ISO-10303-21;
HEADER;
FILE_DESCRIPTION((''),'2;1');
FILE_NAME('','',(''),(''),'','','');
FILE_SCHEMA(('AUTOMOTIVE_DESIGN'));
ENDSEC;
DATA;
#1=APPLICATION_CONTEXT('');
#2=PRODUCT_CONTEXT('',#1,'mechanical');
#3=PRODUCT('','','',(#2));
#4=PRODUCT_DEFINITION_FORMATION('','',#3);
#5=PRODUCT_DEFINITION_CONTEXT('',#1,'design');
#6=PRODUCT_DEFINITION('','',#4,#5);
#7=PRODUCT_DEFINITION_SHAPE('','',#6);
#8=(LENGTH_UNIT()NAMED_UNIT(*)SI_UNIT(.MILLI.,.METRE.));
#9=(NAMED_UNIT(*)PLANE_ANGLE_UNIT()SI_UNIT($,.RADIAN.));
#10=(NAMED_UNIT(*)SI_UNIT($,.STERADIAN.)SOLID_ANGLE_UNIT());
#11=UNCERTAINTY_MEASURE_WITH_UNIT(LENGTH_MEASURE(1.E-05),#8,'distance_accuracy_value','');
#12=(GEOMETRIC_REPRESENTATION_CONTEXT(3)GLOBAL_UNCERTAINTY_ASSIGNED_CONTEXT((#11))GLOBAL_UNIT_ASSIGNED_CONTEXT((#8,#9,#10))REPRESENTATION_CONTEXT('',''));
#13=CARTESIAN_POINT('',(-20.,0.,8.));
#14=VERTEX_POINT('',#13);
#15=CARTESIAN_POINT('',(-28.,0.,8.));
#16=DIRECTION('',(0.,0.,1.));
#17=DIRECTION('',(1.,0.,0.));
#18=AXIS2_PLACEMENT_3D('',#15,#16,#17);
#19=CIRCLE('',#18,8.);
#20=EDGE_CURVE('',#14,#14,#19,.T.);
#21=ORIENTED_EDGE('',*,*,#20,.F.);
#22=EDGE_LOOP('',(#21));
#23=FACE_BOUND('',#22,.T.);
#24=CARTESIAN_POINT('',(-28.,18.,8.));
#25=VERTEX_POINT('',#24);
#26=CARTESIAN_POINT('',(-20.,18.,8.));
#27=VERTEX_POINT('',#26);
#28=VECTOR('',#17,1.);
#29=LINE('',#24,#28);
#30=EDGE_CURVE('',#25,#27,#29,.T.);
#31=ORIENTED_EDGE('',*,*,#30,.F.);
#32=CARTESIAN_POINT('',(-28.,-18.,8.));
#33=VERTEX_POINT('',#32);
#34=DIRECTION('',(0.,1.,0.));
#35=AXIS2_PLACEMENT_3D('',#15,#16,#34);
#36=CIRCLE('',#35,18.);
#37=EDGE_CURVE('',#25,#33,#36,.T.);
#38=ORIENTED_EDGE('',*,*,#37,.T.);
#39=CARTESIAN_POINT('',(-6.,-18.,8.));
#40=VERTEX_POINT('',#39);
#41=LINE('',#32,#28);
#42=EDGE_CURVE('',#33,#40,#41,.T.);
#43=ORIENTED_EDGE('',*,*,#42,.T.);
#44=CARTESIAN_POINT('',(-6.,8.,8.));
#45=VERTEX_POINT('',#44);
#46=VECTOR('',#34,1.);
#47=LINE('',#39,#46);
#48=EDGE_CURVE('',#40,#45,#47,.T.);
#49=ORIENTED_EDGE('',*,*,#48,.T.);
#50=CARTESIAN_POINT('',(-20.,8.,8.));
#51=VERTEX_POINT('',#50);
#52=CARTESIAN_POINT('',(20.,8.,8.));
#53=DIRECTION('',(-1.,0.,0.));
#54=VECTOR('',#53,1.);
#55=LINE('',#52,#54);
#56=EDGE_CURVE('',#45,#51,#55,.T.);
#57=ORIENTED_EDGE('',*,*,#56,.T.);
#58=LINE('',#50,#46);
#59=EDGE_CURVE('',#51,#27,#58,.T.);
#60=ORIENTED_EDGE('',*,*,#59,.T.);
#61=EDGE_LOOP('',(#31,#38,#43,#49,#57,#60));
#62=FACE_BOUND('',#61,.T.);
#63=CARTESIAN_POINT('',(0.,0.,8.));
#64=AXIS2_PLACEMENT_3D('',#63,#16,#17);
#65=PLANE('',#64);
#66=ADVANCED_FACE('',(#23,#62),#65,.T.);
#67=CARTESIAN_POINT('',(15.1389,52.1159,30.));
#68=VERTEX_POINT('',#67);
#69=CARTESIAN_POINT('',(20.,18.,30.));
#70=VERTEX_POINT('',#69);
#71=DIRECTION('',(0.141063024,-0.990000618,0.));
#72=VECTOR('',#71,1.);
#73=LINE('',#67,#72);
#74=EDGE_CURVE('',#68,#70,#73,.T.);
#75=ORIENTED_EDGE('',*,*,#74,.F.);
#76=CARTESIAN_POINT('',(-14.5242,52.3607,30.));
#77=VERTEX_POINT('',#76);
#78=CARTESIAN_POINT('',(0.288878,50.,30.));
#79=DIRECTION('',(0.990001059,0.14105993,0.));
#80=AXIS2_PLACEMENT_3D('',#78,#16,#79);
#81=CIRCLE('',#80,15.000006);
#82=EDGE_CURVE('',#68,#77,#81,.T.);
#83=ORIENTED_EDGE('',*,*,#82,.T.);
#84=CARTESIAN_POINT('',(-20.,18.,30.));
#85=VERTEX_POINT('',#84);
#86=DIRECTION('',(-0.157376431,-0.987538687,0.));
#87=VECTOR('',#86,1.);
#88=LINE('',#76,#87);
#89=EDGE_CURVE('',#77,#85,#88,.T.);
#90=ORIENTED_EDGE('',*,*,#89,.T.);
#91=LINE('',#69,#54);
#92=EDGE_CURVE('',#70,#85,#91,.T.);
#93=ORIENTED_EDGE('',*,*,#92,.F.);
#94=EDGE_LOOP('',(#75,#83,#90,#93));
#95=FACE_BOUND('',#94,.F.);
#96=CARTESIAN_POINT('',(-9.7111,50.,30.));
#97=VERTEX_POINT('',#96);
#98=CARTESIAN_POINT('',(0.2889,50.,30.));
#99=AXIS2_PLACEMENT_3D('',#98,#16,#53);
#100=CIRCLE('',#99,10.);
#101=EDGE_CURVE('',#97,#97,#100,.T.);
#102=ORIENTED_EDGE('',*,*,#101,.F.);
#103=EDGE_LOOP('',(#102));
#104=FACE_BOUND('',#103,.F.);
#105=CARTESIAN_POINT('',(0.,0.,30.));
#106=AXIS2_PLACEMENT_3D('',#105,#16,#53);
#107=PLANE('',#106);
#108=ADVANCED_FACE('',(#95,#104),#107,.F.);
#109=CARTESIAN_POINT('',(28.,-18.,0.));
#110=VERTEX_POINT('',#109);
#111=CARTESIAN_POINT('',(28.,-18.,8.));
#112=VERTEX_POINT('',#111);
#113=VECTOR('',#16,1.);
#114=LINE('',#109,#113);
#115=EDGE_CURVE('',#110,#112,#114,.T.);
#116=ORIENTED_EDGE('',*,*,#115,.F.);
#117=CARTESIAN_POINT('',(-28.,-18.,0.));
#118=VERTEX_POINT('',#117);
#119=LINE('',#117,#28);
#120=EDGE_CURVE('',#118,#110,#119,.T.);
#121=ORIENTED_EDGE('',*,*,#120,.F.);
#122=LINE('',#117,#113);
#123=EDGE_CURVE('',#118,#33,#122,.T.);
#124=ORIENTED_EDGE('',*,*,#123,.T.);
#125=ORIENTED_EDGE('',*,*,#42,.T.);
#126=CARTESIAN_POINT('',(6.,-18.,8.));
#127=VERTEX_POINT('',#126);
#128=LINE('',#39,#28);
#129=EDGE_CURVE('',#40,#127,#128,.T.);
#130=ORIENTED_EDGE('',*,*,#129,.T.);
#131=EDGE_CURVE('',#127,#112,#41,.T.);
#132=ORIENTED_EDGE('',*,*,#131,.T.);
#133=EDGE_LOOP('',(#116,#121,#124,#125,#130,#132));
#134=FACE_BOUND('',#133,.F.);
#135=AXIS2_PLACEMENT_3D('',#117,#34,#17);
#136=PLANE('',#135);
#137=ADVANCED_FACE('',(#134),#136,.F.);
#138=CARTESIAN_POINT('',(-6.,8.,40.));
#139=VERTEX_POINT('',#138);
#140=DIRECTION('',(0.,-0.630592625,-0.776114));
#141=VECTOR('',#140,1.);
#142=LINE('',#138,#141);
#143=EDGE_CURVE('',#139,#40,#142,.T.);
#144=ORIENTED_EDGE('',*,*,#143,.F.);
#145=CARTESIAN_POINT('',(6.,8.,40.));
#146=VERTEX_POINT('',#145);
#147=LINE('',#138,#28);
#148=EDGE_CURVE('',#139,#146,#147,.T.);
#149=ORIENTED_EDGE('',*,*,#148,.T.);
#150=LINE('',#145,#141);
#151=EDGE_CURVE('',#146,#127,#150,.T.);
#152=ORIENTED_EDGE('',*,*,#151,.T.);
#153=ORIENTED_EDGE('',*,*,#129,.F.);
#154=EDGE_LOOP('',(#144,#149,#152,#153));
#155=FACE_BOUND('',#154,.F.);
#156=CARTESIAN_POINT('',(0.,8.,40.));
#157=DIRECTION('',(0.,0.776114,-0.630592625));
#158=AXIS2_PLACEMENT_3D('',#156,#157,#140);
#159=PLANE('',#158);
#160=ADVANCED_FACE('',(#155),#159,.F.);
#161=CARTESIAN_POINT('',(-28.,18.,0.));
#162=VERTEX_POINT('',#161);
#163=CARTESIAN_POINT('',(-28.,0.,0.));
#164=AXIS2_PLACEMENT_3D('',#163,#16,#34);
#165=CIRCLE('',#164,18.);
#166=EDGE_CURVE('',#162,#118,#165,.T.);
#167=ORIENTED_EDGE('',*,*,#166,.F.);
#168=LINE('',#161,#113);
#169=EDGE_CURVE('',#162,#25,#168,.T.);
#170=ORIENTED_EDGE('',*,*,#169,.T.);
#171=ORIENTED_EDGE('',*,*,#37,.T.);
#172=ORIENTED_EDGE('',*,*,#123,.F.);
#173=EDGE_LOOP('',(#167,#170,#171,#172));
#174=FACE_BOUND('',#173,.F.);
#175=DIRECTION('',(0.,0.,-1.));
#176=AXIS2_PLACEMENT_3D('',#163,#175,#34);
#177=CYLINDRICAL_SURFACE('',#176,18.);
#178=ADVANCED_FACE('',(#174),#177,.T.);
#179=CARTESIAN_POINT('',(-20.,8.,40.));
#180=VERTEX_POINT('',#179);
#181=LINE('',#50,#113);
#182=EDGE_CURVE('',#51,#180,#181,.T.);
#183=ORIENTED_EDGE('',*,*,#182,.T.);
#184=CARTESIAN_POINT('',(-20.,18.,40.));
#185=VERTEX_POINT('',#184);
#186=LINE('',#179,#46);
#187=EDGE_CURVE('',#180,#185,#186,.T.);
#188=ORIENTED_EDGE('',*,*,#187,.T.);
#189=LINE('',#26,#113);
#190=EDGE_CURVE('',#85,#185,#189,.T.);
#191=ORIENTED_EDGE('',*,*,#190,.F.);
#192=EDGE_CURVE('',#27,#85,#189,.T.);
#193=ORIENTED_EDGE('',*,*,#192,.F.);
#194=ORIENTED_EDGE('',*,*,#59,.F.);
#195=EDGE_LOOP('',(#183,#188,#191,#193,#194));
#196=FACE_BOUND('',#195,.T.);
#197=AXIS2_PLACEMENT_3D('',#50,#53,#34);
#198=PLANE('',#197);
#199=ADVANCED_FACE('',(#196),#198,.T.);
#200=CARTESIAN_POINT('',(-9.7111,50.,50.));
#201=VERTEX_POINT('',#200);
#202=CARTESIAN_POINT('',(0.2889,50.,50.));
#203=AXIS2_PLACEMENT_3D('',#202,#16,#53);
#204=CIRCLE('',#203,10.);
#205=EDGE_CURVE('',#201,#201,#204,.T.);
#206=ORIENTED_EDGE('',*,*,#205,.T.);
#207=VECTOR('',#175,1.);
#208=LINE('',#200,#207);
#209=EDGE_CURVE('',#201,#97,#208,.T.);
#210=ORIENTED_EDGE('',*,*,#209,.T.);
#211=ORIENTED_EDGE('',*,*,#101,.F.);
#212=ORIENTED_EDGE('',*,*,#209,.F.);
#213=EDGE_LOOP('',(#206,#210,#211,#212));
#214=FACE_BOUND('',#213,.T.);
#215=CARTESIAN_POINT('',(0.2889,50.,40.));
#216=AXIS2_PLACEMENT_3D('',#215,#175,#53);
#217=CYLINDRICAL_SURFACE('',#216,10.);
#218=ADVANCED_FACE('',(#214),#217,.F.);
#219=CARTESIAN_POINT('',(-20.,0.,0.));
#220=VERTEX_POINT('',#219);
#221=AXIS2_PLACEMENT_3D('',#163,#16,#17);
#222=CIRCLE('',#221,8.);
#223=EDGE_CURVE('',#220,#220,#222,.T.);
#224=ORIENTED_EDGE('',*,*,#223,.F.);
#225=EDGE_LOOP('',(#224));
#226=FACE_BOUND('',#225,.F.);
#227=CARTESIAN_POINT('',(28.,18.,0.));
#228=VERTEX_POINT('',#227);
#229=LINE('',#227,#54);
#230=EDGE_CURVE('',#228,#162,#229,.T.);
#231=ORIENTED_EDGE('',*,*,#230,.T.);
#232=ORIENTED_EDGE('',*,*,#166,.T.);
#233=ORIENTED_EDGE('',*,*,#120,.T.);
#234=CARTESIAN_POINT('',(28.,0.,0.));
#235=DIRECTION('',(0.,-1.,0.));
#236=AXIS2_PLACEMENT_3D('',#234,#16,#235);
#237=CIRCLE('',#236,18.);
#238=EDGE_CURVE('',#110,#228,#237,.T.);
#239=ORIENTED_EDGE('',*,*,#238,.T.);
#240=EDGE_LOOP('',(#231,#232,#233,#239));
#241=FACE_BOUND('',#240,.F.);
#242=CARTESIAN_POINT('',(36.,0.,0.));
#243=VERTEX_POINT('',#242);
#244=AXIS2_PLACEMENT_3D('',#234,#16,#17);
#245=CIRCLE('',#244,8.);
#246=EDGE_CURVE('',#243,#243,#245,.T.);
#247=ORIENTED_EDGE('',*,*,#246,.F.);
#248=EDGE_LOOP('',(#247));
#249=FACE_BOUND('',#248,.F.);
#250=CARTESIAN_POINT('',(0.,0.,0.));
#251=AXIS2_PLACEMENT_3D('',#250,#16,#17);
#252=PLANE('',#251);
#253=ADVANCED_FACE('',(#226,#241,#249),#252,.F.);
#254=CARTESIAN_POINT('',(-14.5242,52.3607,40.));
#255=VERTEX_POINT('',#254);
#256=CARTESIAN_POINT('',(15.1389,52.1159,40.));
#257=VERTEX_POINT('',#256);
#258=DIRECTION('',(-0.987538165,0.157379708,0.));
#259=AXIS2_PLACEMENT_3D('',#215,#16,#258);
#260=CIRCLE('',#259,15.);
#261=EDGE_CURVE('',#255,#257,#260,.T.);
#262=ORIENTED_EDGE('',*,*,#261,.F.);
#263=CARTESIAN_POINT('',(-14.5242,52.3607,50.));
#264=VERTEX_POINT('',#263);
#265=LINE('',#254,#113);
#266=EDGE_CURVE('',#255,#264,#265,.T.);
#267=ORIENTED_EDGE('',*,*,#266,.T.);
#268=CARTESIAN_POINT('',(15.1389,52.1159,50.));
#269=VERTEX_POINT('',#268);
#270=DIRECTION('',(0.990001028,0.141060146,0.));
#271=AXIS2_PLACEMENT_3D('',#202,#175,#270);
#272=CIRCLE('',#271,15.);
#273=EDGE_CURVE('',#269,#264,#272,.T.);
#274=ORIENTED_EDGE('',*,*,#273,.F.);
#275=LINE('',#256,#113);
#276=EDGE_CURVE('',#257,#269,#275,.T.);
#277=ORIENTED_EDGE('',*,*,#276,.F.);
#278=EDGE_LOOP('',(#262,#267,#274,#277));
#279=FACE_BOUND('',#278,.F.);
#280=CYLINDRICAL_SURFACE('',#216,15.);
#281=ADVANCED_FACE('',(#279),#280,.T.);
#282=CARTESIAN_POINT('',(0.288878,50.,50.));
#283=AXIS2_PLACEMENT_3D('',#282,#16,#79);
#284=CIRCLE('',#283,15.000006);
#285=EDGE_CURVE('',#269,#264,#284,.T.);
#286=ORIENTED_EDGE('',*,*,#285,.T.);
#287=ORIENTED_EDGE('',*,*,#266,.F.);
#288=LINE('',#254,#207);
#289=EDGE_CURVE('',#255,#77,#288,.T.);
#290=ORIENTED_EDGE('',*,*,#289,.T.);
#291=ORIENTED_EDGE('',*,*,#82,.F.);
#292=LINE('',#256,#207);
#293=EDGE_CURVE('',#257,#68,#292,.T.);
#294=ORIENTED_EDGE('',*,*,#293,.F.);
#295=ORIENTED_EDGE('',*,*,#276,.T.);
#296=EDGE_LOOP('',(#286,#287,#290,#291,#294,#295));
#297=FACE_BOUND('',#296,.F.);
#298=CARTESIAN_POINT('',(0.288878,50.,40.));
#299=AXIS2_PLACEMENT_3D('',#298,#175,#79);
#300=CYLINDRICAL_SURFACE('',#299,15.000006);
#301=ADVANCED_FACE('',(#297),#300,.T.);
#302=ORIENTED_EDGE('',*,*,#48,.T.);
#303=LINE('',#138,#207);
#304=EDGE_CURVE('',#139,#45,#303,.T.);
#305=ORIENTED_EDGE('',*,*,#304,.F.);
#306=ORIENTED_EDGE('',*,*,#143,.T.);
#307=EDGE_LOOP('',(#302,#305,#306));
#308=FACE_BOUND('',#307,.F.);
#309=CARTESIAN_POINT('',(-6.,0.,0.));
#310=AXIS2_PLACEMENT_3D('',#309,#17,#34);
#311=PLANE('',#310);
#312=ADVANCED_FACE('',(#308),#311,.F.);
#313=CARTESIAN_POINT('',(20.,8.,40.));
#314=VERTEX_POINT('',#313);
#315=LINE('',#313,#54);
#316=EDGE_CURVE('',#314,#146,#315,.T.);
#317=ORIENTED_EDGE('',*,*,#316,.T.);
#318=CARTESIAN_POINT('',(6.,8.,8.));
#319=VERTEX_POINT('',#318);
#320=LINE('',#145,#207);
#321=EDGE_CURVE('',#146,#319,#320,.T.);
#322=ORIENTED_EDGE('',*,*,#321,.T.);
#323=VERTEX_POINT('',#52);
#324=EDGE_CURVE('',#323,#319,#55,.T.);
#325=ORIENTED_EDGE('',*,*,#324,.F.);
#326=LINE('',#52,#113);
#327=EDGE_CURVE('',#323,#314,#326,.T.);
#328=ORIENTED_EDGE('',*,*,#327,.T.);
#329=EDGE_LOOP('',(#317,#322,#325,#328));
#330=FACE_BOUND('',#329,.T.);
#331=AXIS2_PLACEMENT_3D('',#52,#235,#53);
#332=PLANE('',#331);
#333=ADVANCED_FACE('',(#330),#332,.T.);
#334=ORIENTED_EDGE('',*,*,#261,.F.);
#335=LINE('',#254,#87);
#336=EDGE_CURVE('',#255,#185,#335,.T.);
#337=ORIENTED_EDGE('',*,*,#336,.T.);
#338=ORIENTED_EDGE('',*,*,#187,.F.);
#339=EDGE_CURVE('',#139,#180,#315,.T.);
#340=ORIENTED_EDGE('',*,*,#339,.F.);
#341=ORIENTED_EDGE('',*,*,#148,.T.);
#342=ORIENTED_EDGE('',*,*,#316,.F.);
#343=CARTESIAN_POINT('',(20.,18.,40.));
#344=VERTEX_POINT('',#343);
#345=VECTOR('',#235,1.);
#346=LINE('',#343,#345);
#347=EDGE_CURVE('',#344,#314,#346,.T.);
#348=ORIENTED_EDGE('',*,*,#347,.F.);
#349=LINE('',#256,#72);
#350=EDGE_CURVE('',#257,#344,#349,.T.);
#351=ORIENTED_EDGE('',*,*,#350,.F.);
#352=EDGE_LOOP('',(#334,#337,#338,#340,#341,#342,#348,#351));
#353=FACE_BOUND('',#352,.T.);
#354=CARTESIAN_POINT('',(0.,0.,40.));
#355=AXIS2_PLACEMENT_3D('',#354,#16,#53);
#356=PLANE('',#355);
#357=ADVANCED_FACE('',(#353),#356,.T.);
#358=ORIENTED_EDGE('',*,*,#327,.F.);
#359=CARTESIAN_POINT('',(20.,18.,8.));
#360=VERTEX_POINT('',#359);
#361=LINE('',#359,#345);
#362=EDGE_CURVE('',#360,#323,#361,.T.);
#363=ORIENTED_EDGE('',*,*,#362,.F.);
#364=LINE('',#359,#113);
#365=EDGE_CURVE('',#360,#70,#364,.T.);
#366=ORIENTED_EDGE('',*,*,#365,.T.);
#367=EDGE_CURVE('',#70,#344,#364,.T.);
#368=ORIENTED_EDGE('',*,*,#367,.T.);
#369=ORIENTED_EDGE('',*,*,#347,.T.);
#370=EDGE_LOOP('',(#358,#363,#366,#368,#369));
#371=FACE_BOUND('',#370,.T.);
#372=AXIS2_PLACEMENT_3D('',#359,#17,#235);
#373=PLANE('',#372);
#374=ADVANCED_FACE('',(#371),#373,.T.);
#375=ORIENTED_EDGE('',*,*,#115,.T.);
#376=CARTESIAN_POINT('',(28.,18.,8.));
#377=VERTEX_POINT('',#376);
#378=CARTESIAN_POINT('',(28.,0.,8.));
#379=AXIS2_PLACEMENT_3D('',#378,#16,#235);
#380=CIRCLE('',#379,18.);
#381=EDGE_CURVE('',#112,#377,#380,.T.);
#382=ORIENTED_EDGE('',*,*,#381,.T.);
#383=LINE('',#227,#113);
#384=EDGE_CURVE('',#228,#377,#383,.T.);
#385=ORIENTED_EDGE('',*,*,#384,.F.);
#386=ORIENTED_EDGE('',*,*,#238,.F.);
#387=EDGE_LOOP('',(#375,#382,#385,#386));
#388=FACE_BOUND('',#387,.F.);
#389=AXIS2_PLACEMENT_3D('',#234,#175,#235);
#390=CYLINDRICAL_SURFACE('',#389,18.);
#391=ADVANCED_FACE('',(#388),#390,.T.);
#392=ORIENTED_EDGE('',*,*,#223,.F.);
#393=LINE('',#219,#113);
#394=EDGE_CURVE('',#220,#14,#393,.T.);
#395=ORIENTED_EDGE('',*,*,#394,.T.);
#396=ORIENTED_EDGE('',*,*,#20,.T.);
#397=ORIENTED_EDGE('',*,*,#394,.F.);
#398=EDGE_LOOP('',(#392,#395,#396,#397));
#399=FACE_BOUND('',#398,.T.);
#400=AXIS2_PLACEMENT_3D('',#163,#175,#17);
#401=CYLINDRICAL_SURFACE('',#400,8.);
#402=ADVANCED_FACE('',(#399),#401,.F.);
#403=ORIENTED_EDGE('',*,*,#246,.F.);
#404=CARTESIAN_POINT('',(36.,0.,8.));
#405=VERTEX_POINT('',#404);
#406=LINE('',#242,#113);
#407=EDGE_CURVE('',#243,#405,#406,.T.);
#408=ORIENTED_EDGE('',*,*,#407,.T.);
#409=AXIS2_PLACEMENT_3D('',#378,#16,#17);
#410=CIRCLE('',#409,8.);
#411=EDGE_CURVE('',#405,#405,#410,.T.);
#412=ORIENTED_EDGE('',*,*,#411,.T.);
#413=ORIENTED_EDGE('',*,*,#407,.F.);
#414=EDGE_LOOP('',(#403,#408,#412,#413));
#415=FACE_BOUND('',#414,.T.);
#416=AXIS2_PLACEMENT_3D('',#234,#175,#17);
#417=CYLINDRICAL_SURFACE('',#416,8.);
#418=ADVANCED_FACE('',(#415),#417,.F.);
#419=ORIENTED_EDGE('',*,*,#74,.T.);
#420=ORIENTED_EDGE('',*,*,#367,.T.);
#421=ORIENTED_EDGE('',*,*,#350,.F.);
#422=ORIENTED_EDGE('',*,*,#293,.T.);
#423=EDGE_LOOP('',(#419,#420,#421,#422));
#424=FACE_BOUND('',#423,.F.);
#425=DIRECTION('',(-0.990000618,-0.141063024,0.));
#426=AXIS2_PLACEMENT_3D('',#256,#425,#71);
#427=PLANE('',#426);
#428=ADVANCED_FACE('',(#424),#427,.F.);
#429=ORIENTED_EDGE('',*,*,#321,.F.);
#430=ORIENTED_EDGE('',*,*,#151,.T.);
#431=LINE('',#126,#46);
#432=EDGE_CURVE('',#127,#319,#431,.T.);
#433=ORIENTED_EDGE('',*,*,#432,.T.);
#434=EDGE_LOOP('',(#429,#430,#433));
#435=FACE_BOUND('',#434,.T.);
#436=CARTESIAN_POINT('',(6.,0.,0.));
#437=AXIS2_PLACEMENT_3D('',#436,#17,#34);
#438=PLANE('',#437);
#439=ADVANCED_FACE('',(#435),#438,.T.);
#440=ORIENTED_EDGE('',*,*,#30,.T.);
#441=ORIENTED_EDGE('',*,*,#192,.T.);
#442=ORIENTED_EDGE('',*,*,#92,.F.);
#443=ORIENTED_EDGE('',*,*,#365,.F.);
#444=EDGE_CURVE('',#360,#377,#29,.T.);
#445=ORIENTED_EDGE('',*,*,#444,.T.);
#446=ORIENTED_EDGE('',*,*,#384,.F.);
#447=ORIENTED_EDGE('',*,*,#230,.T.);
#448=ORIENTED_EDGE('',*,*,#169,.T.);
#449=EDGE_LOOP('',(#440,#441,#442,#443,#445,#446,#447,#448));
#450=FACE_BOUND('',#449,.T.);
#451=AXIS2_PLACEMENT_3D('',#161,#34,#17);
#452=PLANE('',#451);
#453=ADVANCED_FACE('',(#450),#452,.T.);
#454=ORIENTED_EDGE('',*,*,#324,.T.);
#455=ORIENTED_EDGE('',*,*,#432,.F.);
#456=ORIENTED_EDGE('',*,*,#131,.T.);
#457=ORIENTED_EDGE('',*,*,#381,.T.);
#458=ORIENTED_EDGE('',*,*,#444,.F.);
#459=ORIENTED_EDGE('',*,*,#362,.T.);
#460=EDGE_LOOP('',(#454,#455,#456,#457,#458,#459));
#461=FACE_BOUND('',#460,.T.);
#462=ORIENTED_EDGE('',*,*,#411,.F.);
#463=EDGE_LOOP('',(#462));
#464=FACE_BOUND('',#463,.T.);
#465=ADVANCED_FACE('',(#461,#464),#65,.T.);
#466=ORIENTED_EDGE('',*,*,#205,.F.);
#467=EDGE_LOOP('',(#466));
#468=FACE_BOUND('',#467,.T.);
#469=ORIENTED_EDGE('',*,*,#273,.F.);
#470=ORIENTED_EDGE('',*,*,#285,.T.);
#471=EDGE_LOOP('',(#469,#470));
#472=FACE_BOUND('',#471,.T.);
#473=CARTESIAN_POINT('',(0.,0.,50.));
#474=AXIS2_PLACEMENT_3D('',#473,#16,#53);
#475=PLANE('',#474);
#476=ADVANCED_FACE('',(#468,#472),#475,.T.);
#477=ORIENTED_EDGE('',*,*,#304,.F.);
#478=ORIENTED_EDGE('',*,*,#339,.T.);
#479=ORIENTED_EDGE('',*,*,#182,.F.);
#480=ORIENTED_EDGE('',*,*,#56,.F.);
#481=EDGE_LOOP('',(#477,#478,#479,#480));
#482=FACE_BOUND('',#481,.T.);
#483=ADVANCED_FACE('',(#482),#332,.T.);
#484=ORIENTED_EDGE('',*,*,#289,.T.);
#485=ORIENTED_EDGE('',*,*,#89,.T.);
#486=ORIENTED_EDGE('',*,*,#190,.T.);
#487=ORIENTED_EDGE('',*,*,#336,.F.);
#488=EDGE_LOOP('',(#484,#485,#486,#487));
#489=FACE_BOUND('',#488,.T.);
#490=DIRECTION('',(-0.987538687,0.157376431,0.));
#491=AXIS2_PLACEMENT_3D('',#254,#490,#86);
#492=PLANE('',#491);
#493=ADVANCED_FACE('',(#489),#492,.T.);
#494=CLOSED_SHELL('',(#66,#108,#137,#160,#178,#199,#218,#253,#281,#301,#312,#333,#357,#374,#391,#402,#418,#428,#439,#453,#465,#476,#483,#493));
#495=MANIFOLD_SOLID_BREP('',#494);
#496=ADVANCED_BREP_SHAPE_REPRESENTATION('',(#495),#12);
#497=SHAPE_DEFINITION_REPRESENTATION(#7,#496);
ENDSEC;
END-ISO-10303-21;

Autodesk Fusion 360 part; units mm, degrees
sketch "Sketch1" plane through (0, 0, 0) normal (0, 0, 1) x (1, 0, 0)
  circle A0 centre (-28, 0) radius 8
  line L0 (0, 0) -> (0, 62.0025)
  circle A1 centre (28, 0) radius 8
  line L1 (-28, 18) -> (28, 18)
  line L2 (-28, -18) -> (28, -18)
  arc A2 (28, -18) -> (28, 18) centre (28, 0) ccw
  arc A3 (-28, 18) -> (-28, -18) centre (-28, 0) ccw
  dimension "d1" = 16
  dimension "d2" = 36
  dimension "d3" = 28
extrude "Extrude1" add sketch "Sketch1" along normal blind 8
sketch "Sketch2" plane through (0, 0, 8) normal (0, 0, 1) x (-1, 0, 0)
  circle A0 centre (28, 0) radius 8
  circle A1 centre (-28, 0) radius 8
  arc A2 (28, -18) -> (28, 18) centre (28, 0) ccw
  line L0 (28, 18) -> (-28, 18)
  arc A3 (-28, 18) -> (-28, -18) centre (-28, 0) ccw
  line L1 (-28, -18) -> (28, -18)
sketch "Sketch3" plane through (0, 0, 8) normal (0, 0, 1) x (-1, 0, 0)
  line L0 (20, -18) -> (-20, -18)
  line L1 (-20, -18) -> (-20, -8)
  line L2 (-20, -8) -> (20, -8)
  line L3 (20, -8) -> (20, -18)
  dimension "d6" = 40
  dimension "d7" = 10
  dimension "d8" = 20
extrude "Extrude2" add sketch "Sketch3" along normal blind 32
sketch "Sketch4" plane through (0, 0, 40) normal (0, 0, 1) x (-1, 0, 0)
  line L0 (20, -8) -> (-20, -8)
  line L1 (-20, -8) -> (-20, -18)
  line L2 (-20, -18) -> (20, -18)
  line L3 (20, -18) -> (20, -8)
  circle A0 centre (-0.2889, -50) radius 10
  line L4 (14.5242, -52.3607) -> (20, -18)
  line L5 (-15.1389, -52.1159) -> (-20, -18)
  arc A1 (-15.1389, -52.1159) -> (14.5242, -52.3607) centre (-0.2889, -50) ccw
  dimension "d11" = 20
  dimension "d12" = 30
  dimension "d13" = 32
extrude "Extrude3" add sketch "Sketch4" against normal blind 10 contours L2 L4 L5 A1
sketch "Sketch5" plane through (0, 0, 40) normal (0, 0, 1) x (-1, 0, 0)
  circle A0 centre (-0.2889, -50) radius 10
  line L0 (20, -8) -> (-20, -8)
  line L1 (-20, -8) -> (-20, -18)
  line L2 (-20, -18) -> (-15.1389, -52.1159)
  arc A1 (-15.1389, -52.1159) -> (14.5242, -52.3607) centre (-0.2889, -50) ccw
  line L3 (14.5242, -52.3607) -> (20, -18)
  line L4 (20, -18) -> (20, -8)
  circle A2 centre (-0.2889, -50) radius 10
  circle A3 centre (-0.2889, -50) radius 15
  dimension "d16" = 20
  dimension "d17" = 30
extrude "Extrude4" add sketch "Sketch5" along normal blind 10 contours A1 A3
sketch "Sketch6" plane through (0, 0, 0) normal (1, 0, 0) x (0, 1, 0)
  line L0 (8, 40, -20) -> (8, 40, 20)
  line L1 (-18, 8, -28) -> (-18, 8, 28)
  line L2 (8, 40) -> (-18, 8)
  line L3 (8, 8, 20) -> (8, 8, -20)
  line L4 (-18, 8) -> (8, 8)
  line L5 (8, 40) -> (8, 8)
extrude "Extrude5" add sketch "Sketch6" along normal blind 6 and the other way blind 6
